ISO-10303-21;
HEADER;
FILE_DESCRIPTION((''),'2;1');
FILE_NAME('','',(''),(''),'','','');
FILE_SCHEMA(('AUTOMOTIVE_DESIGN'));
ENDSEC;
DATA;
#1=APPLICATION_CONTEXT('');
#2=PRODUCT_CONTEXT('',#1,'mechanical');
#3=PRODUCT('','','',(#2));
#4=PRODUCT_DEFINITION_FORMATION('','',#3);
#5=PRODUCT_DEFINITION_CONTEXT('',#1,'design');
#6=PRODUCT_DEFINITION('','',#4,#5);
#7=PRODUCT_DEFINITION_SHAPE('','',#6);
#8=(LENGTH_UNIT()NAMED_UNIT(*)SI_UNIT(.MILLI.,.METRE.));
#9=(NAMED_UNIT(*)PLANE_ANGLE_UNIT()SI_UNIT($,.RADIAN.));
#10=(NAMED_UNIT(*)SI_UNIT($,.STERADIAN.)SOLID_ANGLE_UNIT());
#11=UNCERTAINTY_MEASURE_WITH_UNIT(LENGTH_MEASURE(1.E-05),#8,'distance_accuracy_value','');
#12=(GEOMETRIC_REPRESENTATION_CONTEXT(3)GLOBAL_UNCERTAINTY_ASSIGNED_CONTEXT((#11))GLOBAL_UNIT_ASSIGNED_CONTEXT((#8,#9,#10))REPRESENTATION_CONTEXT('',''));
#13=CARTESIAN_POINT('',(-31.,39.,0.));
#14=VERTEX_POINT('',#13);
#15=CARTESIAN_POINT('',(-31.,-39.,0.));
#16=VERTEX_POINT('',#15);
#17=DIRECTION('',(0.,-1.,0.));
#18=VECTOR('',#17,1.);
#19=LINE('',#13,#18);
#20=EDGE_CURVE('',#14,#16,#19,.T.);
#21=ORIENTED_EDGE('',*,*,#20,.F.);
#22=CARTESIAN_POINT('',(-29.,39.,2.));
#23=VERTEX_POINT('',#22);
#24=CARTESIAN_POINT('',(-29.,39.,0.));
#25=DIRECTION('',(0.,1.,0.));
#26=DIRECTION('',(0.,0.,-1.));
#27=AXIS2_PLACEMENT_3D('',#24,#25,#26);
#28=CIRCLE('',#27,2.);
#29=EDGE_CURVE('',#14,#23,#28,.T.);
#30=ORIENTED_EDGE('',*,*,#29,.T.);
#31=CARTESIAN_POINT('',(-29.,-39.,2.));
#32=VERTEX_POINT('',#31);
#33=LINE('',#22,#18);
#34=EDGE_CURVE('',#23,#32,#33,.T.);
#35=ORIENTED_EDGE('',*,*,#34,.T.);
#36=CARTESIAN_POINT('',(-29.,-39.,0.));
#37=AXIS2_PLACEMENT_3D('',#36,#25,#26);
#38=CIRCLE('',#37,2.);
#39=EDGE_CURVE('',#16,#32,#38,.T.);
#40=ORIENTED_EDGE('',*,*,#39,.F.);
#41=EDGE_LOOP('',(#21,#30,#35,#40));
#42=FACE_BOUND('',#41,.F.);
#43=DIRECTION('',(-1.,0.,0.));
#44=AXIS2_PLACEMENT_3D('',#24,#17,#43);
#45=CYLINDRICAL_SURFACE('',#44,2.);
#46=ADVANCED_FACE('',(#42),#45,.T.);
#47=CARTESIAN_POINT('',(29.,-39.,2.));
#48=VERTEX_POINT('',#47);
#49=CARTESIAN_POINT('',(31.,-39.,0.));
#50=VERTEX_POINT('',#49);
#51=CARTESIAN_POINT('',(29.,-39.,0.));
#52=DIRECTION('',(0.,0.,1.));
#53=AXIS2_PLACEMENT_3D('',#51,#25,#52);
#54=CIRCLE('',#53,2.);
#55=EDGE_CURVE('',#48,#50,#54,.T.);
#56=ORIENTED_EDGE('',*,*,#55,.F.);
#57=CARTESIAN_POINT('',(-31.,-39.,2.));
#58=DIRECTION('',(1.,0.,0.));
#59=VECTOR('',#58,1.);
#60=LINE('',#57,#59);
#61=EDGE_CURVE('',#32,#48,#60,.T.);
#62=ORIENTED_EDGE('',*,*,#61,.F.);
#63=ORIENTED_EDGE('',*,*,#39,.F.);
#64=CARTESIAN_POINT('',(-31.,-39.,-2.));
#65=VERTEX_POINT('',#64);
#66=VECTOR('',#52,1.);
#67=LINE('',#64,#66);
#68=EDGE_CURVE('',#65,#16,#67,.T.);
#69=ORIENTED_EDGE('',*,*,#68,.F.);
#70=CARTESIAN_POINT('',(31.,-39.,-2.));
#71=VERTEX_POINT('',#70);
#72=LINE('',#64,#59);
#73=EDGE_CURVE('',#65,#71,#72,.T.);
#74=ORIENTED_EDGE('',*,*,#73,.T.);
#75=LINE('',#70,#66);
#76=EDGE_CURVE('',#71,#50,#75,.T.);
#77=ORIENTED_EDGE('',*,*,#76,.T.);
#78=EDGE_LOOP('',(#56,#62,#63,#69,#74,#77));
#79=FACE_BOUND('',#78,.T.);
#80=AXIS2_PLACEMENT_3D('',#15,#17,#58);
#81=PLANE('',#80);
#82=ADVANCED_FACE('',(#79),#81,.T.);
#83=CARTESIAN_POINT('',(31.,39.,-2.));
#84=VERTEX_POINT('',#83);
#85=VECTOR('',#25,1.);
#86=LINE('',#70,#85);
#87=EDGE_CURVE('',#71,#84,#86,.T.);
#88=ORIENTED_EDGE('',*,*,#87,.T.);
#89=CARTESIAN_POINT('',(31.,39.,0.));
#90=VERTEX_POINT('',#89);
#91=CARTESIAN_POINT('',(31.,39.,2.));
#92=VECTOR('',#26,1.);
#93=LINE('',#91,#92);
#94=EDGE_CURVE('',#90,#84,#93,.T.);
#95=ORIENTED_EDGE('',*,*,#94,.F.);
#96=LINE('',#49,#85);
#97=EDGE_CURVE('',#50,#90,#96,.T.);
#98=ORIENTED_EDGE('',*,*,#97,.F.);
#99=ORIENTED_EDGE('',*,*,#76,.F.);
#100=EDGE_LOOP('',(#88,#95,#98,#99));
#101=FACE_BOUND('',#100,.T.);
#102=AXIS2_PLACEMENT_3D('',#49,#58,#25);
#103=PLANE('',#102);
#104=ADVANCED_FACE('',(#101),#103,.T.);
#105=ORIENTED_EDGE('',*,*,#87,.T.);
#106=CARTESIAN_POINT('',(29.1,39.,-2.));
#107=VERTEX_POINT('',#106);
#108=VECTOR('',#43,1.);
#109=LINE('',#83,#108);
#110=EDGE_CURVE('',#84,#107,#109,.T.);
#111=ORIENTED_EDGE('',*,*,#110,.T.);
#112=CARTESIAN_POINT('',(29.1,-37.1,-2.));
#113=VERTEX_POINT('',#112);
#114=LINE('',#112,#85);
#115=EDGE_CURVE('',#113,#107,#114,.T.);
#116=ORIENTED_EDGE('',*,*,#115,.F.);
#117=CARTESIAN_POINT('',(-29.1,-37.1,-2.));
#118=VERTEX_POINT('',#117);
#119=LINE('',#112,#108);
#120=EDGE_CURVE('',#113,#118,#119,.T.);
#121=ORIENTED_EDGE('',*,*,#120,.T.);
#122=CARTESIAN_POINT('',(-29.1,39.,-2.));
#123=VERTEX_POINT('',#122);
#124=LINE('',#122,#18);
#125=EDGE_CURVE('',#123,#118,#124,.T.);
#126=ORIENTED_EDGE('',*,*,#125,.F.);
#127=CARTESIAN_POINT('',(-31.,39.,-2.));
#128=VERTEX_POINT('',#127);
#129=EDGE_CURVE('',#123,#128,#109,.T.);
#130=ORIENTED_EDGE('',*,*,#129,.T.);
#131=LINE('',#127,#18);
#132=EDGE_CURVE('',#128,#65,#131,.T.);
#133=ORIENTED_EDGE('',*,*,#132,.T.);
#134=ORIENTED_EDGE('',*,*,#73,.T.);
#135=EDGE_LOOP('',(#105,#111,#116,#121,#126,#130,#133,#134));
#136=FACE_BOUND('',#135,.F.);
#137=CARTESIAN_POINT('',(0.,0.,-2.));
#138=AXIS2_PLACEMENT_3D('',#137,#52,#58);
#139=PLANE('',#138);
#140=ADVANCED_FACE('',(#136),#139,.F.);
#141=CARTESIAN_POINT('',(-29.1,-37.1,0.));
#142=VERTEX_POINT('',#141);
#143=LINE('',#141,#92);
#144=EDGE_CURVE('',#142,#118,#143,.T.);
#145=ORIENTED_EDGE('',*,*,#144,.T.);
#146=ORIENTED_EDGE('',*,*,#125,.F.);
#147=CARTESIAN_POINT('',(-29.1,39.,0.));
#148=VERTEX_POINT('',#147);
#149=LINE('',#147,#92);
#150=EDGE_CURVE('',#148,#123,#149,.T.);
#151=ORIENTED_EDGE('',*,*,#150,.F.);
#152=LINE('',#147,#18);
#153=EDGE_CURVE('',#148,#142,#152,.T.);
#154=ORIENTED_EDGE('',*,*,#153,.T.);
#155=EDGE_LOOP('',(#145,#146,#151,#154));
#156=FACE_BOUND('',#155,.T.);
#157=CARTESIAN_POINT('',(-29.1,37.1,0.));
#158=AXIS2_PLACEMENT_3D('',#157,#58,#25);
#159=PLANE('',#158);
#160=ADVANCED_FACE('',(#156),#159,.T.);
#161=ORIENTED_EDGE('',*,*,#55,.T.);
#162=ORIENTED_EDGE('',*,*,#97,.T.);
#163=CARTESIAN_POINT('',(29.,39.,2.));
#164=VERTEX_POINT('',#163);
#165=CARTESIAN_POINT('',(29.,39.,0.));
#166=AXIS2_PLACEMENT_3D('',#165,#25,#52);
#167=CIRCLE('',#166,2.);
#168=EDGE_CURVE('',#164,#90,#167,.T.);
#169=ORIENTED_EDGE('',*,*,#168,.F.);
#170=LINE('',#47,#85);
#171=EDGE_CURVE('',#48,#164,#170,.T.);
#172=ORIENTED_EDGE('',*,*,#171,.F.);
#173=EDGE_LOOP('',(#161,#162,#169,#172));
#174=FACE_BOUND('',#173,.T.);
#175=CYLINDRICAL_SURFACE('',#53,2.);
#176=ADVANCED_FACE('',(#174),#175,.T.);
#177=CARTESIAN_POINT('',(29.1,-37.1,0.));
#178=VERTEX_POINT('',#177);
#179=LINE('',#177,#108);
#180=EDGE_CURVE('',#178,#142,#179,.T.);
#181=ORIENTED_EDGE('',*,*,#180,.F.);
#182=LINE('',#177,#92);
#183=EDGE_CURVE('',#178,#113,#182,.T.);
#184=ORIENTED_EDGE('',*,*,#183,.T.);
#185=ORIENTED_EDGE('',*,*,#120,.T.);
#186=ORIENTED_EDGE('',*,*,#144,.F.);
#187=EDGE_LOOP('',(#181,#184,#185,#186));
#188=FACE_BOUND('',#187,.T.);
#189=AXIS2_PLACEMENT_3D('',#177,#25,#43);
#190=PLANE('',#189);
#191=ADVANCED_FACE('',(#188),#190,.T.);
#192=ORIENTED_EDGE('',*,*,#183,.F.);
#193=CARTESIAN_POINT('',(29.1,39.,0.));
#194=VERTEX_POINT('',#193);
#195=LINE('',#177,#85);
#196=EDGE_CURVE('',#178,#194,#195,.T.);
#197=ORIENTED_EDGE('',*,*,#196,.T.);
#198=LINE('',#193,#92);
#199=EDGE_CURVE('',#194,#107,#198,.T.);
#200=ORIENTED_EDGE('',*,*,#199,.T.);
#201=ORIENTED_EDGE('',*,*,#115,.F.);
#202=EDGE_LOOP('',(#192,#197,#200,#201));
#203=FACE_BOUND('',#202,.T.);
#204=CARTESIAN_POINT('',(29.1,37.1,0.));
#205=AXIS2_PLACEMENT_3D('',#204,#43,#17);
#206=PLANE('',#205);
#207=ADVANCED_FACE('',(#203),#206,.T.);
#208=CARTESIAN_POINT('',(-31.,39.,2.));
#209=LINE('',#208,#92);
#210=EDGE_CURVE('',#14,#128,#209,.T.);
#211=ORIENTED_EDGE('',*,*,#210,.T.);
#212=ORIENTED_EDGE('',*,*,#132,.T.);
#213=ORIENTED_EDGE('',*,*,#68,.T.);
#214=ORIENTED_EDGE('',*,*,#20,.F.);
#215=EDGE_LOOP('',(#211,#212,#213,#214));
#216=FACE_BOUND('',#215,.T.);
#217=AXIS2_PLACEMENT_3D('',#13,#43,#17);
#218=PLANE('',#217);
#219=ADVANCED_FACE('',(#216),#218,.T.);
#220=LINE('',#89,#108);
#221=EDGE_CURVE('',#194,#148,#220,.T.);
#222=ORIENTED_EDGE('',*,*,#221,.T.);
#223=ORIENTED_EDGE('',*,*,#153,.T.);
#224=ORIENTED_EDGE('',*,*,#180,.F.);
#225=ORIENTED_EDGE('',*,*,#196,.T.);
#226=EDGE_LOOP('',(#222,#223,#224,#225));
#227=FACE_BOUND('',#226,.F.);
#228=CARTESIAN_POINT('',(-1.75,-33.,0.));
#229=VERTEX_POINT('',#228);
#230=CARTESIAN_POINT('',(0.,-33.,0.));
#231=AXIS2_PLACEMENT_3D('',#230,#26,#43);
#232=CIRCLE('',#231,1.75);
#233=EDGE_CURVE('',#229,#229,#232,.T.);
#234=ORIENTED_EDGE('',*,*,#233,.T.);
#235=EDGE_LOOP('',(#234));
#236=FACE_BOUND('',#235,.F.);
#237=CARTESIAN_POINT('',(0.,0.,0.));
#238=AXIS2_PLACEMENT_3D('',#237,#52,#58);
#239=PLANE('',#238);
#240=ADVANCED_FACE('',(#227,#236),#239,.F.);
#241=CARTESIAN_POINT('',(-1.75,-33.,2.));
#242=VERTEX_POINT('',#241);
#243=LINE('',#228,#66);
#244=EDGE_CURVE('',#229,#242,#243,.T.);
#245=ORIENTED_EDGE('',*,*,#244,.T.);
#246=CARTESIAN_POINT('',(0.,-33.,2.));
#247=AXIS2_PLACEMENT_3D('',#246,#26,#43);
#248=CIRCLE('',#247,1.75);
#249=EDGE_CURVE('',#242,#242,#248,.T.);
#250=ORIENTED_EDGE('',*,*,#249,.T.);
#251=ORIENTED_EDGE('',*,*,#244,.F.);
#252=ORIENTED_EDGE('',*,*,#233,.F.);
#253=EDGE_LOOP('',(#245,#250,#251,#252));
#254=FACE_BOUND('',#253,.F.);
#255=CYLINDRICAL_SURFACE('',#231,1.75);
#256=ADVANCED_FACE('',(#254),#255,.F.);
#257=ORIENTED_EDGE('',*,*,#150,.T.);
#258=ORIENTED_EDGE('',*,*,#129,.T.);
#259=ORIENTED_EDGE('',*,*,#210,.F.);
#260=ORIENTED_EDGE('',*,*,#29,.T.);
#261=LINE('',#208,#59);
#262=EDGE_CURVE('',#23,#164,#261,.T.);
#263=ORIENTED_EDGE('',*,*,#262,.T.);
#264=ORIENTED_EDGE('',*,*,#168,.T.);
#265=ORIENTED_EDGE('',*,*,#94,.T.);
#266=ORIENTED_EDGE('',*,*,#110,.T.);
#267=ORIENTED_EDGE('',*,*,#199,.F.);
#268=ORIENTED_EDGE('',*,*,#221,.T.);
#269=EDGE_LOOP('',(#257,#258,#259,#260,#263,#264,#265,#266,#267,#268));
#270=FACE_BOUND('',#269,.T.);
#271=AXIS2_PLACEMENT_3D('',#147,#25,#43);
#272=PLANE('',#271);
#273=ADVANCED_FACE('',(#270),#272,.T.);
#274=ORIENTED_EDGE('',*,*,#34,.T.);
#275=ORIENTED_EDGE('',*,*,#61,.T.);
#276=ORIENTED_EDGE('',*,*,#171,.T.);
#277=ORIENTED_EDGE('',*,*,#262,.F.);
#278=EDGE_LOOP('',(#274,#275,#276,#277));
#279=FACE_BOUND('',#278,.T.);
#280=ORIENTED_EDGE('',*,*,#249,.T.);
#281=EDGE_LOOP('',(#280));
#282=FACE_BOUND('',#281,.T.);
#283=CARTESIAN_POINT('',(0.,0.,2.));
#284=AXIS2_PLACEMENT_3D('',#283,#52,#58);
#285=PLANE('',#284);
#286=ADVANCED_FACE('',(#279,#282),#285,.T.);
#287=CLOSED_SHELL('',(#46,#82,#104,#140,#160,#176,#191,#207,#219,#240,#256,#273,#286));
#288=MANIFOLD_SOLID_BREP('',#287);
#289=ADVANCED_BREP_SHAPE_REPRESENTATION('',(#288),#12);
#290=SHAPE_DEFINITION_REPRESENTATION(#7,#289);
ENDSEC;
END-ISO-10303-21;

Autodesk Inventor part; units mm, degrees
ref_plane "YZ Plane" through (0, 0, 0) normal (1, 0, 0) x (0, 1, 0)
ref_plane "XZ Plane" through (0, 0, 0) normal (0, 1, 0) x (-1, 0, 0)
ref_plane "XY Plane" through (0, 0, 0) normal (0, 0, 1) x (1, 0, 0)
sketch "스케치1" plane through (0, 0, 0) normal (0, 0, 1) x (1, 0, 0)
  line L0 (-31, -39) -> (31, -39)
  line L1 (31, -39) -> (31, 39)
  line L2 (31, 39) -> (-31, 39)
  line L3 (-31, 39) -> (-31, -39)
  line L4 (-31, -39) -> (31, 39) construction
  line L5 (31, -39) -> (-31, 39) construction
  line L6 (-29.1, 37.1) -> (29.1, 37.1)
  line L7 (29.1, 37.1) -> (29.1, -37.1)
  line L8 (29.1, -37.1) -> (-29.1, -37.1)
  line L9 (-29.1, -37.1) -> (-29.1, 37.1)
  line L10 (-29.1, 37.1) -> (-29.1, 39)
  line L11 (29.1, 37.1) -> (29.1, 39)
  point P0 (0, 0)
  dimension "d0" = 62
  dimension "d1" = 78
  dimension "d2" = 1.9
extrude "돌출1" add sketch "스케치1" against normal blind 2 contours L3 L2 L10 L9 L8 L7 L11 L1 L0
extrude "돌출2" add sketch "스케치1" along normal blind 2
sketch "스케치2" plane through (0, 0, 0) normal (0, 0, -1) x (-1, 0, 0)
  line L0 (-3, -45) -> (3, -45)
  line L1 (3, -45) -> (3, -33)
  line L2 (3, -33) -> (-3, -33) construction
  line L3 (-3, -33) -> (-3, -45)
  line L4 (31, -39) -> (-31, -39) projected
  line L5 (-3, -45) -> (3, -33) construction
  line L6 (3, -45) -> (-3, -33) construction
  circle A0 centre (0, -33) radius 3
  circle A1 centre (0, -33) radius 1.75
  point P0 (0, 0)
  point P1 (0, -39)
  point P2 (-3, -39)
  point P3 (3, -39)
  dimension "d7" = 12
  dimension "d8" = 6
  dimension "d9" = 3.5
extrude "돌출4" cut sketch "스케치2" against normal blind 2 contours A1
fillet "모깎기1" radius 2 2 edges at (-31, 0, 2) (31, 0, 2)
properties part number "커튼 정면 커버"
